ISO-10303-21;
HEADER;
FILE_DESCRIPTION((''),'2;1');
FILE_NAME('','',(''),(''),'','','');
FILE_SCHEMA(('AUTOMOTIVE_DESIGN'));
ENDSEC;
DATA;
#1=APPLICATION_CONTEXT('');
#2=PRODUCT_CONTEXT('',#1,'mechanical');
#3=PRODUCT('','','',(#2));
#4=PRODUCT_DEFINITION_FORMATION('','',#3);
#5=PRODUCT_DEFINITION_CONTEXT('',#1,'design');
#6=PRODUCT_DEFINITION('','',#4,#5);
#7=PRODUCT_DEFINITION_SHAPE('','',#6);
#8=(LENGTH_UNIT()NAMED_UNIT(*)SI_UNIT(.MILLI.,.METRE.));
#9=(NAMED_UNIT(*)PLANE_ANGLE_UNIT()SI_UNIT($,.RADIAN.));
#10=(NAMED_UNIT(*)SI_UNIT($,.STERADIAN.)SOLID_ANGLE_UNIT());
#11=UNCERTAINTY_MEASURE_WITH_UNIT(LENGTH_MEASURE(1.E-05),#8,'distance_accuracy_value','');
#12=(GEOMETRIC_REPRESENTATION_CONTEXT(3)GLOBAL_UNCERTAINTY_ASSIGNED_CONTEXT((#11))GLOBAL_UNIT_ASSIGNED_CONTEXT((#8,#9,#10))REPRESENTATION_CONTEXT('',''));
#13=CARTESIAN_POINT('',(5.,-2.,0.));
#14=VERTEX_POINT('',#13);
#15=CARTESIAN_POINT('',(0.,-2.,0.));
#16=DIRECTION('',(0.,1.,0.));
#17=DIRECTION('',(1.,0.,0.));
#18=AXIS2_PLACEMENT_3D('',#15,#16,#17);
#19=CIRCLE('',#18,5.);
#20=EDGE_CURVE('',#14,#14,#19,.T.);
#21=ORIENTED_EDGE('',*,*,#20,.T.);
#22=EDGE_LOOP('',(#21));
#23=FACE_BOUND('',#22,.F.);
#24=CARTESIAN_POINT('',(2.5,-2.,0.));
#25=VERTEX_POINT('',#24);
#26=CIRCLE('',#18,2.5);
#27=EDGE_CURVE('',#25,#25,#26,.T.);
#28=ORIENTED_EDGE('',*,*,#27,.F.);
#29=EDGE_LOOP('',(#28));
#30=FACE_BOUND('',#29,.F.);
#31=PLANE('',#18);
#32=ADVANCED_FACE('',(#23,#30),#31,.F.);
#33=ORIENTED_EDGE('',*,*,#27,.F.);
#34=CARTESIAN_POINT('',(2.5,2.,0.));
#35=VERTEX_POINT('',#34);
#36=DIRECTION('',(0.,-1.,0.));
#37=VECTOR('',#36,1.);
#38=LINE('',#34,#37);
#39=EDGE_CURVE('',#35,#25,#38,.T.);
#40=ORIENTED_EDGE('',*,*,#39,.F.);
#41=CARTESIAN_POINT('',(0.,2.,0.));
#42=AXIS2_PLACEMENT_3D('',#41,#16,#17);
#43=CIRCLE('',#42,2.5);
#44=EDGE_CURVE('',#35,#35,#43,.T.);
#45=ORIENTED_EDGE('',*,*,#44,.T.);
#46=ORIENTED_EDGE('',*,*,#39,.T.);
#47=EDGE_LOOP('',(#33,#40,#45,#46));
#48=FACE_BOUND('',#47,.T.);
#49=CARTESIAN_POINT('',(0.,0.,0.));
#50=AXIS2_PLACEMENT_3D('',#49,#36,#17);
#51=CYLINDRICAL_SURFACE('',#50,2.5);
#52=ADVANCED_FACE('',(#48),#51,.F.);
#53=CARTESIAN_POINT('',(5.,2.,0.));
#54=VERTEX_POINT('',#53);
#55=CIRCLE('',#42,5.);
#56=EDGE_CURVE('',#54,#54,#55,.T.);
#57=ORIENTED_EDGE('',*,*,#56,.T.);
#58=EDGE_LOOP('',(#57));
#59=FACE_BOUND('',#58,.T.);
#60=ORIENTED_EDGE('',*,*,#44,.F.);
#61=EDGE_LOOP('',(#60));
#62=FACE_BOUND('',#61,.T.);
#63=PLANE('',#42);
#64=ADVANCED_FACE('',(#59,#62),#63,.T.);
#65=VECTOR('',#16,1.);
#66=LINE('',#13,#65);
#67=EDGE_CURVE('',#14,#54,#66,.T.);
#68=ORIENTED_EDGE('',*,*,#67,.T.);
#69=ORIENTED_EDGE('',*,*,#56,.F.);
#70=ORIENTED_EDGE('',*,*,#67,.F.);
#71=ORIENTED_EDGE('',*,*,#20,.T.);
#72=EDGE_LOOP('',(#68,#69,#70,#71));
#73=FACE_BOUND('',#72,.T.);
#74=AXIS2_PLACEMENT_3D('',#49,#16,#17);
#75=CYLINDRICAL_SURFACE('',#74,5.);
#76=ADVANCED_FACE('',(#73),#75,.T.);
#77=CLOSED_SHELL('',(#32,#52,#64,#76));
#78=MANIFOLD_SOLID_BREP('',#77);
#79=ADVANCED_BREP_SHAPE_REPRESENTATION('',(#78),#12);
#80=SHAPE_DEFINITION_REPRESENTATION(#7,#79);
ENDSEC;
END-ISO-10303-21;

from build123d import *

# Parameters (mm, degrees)
SKETCH_1_R      = 5
SKETCH_1_R_2    = 2.5
EXTRUDE_1_DEPTH = 2


with BuildPart() as part:
    # 草图1 → 凸台-拉伸1 (new body, symmetric)
    with BuildSketch(Plane(origin=(0, 0, 0), x_dir=(1, 0, 0), z_dir=(0, 1, 0))):
        Circle(SKETCH_1_R)
        Circle(SKETCH_1_R_2, mode=Mode.SUBTRACT)
    extrude(amount=EXTRUDE_1_DEPTH, both=True)


solid = part.part
